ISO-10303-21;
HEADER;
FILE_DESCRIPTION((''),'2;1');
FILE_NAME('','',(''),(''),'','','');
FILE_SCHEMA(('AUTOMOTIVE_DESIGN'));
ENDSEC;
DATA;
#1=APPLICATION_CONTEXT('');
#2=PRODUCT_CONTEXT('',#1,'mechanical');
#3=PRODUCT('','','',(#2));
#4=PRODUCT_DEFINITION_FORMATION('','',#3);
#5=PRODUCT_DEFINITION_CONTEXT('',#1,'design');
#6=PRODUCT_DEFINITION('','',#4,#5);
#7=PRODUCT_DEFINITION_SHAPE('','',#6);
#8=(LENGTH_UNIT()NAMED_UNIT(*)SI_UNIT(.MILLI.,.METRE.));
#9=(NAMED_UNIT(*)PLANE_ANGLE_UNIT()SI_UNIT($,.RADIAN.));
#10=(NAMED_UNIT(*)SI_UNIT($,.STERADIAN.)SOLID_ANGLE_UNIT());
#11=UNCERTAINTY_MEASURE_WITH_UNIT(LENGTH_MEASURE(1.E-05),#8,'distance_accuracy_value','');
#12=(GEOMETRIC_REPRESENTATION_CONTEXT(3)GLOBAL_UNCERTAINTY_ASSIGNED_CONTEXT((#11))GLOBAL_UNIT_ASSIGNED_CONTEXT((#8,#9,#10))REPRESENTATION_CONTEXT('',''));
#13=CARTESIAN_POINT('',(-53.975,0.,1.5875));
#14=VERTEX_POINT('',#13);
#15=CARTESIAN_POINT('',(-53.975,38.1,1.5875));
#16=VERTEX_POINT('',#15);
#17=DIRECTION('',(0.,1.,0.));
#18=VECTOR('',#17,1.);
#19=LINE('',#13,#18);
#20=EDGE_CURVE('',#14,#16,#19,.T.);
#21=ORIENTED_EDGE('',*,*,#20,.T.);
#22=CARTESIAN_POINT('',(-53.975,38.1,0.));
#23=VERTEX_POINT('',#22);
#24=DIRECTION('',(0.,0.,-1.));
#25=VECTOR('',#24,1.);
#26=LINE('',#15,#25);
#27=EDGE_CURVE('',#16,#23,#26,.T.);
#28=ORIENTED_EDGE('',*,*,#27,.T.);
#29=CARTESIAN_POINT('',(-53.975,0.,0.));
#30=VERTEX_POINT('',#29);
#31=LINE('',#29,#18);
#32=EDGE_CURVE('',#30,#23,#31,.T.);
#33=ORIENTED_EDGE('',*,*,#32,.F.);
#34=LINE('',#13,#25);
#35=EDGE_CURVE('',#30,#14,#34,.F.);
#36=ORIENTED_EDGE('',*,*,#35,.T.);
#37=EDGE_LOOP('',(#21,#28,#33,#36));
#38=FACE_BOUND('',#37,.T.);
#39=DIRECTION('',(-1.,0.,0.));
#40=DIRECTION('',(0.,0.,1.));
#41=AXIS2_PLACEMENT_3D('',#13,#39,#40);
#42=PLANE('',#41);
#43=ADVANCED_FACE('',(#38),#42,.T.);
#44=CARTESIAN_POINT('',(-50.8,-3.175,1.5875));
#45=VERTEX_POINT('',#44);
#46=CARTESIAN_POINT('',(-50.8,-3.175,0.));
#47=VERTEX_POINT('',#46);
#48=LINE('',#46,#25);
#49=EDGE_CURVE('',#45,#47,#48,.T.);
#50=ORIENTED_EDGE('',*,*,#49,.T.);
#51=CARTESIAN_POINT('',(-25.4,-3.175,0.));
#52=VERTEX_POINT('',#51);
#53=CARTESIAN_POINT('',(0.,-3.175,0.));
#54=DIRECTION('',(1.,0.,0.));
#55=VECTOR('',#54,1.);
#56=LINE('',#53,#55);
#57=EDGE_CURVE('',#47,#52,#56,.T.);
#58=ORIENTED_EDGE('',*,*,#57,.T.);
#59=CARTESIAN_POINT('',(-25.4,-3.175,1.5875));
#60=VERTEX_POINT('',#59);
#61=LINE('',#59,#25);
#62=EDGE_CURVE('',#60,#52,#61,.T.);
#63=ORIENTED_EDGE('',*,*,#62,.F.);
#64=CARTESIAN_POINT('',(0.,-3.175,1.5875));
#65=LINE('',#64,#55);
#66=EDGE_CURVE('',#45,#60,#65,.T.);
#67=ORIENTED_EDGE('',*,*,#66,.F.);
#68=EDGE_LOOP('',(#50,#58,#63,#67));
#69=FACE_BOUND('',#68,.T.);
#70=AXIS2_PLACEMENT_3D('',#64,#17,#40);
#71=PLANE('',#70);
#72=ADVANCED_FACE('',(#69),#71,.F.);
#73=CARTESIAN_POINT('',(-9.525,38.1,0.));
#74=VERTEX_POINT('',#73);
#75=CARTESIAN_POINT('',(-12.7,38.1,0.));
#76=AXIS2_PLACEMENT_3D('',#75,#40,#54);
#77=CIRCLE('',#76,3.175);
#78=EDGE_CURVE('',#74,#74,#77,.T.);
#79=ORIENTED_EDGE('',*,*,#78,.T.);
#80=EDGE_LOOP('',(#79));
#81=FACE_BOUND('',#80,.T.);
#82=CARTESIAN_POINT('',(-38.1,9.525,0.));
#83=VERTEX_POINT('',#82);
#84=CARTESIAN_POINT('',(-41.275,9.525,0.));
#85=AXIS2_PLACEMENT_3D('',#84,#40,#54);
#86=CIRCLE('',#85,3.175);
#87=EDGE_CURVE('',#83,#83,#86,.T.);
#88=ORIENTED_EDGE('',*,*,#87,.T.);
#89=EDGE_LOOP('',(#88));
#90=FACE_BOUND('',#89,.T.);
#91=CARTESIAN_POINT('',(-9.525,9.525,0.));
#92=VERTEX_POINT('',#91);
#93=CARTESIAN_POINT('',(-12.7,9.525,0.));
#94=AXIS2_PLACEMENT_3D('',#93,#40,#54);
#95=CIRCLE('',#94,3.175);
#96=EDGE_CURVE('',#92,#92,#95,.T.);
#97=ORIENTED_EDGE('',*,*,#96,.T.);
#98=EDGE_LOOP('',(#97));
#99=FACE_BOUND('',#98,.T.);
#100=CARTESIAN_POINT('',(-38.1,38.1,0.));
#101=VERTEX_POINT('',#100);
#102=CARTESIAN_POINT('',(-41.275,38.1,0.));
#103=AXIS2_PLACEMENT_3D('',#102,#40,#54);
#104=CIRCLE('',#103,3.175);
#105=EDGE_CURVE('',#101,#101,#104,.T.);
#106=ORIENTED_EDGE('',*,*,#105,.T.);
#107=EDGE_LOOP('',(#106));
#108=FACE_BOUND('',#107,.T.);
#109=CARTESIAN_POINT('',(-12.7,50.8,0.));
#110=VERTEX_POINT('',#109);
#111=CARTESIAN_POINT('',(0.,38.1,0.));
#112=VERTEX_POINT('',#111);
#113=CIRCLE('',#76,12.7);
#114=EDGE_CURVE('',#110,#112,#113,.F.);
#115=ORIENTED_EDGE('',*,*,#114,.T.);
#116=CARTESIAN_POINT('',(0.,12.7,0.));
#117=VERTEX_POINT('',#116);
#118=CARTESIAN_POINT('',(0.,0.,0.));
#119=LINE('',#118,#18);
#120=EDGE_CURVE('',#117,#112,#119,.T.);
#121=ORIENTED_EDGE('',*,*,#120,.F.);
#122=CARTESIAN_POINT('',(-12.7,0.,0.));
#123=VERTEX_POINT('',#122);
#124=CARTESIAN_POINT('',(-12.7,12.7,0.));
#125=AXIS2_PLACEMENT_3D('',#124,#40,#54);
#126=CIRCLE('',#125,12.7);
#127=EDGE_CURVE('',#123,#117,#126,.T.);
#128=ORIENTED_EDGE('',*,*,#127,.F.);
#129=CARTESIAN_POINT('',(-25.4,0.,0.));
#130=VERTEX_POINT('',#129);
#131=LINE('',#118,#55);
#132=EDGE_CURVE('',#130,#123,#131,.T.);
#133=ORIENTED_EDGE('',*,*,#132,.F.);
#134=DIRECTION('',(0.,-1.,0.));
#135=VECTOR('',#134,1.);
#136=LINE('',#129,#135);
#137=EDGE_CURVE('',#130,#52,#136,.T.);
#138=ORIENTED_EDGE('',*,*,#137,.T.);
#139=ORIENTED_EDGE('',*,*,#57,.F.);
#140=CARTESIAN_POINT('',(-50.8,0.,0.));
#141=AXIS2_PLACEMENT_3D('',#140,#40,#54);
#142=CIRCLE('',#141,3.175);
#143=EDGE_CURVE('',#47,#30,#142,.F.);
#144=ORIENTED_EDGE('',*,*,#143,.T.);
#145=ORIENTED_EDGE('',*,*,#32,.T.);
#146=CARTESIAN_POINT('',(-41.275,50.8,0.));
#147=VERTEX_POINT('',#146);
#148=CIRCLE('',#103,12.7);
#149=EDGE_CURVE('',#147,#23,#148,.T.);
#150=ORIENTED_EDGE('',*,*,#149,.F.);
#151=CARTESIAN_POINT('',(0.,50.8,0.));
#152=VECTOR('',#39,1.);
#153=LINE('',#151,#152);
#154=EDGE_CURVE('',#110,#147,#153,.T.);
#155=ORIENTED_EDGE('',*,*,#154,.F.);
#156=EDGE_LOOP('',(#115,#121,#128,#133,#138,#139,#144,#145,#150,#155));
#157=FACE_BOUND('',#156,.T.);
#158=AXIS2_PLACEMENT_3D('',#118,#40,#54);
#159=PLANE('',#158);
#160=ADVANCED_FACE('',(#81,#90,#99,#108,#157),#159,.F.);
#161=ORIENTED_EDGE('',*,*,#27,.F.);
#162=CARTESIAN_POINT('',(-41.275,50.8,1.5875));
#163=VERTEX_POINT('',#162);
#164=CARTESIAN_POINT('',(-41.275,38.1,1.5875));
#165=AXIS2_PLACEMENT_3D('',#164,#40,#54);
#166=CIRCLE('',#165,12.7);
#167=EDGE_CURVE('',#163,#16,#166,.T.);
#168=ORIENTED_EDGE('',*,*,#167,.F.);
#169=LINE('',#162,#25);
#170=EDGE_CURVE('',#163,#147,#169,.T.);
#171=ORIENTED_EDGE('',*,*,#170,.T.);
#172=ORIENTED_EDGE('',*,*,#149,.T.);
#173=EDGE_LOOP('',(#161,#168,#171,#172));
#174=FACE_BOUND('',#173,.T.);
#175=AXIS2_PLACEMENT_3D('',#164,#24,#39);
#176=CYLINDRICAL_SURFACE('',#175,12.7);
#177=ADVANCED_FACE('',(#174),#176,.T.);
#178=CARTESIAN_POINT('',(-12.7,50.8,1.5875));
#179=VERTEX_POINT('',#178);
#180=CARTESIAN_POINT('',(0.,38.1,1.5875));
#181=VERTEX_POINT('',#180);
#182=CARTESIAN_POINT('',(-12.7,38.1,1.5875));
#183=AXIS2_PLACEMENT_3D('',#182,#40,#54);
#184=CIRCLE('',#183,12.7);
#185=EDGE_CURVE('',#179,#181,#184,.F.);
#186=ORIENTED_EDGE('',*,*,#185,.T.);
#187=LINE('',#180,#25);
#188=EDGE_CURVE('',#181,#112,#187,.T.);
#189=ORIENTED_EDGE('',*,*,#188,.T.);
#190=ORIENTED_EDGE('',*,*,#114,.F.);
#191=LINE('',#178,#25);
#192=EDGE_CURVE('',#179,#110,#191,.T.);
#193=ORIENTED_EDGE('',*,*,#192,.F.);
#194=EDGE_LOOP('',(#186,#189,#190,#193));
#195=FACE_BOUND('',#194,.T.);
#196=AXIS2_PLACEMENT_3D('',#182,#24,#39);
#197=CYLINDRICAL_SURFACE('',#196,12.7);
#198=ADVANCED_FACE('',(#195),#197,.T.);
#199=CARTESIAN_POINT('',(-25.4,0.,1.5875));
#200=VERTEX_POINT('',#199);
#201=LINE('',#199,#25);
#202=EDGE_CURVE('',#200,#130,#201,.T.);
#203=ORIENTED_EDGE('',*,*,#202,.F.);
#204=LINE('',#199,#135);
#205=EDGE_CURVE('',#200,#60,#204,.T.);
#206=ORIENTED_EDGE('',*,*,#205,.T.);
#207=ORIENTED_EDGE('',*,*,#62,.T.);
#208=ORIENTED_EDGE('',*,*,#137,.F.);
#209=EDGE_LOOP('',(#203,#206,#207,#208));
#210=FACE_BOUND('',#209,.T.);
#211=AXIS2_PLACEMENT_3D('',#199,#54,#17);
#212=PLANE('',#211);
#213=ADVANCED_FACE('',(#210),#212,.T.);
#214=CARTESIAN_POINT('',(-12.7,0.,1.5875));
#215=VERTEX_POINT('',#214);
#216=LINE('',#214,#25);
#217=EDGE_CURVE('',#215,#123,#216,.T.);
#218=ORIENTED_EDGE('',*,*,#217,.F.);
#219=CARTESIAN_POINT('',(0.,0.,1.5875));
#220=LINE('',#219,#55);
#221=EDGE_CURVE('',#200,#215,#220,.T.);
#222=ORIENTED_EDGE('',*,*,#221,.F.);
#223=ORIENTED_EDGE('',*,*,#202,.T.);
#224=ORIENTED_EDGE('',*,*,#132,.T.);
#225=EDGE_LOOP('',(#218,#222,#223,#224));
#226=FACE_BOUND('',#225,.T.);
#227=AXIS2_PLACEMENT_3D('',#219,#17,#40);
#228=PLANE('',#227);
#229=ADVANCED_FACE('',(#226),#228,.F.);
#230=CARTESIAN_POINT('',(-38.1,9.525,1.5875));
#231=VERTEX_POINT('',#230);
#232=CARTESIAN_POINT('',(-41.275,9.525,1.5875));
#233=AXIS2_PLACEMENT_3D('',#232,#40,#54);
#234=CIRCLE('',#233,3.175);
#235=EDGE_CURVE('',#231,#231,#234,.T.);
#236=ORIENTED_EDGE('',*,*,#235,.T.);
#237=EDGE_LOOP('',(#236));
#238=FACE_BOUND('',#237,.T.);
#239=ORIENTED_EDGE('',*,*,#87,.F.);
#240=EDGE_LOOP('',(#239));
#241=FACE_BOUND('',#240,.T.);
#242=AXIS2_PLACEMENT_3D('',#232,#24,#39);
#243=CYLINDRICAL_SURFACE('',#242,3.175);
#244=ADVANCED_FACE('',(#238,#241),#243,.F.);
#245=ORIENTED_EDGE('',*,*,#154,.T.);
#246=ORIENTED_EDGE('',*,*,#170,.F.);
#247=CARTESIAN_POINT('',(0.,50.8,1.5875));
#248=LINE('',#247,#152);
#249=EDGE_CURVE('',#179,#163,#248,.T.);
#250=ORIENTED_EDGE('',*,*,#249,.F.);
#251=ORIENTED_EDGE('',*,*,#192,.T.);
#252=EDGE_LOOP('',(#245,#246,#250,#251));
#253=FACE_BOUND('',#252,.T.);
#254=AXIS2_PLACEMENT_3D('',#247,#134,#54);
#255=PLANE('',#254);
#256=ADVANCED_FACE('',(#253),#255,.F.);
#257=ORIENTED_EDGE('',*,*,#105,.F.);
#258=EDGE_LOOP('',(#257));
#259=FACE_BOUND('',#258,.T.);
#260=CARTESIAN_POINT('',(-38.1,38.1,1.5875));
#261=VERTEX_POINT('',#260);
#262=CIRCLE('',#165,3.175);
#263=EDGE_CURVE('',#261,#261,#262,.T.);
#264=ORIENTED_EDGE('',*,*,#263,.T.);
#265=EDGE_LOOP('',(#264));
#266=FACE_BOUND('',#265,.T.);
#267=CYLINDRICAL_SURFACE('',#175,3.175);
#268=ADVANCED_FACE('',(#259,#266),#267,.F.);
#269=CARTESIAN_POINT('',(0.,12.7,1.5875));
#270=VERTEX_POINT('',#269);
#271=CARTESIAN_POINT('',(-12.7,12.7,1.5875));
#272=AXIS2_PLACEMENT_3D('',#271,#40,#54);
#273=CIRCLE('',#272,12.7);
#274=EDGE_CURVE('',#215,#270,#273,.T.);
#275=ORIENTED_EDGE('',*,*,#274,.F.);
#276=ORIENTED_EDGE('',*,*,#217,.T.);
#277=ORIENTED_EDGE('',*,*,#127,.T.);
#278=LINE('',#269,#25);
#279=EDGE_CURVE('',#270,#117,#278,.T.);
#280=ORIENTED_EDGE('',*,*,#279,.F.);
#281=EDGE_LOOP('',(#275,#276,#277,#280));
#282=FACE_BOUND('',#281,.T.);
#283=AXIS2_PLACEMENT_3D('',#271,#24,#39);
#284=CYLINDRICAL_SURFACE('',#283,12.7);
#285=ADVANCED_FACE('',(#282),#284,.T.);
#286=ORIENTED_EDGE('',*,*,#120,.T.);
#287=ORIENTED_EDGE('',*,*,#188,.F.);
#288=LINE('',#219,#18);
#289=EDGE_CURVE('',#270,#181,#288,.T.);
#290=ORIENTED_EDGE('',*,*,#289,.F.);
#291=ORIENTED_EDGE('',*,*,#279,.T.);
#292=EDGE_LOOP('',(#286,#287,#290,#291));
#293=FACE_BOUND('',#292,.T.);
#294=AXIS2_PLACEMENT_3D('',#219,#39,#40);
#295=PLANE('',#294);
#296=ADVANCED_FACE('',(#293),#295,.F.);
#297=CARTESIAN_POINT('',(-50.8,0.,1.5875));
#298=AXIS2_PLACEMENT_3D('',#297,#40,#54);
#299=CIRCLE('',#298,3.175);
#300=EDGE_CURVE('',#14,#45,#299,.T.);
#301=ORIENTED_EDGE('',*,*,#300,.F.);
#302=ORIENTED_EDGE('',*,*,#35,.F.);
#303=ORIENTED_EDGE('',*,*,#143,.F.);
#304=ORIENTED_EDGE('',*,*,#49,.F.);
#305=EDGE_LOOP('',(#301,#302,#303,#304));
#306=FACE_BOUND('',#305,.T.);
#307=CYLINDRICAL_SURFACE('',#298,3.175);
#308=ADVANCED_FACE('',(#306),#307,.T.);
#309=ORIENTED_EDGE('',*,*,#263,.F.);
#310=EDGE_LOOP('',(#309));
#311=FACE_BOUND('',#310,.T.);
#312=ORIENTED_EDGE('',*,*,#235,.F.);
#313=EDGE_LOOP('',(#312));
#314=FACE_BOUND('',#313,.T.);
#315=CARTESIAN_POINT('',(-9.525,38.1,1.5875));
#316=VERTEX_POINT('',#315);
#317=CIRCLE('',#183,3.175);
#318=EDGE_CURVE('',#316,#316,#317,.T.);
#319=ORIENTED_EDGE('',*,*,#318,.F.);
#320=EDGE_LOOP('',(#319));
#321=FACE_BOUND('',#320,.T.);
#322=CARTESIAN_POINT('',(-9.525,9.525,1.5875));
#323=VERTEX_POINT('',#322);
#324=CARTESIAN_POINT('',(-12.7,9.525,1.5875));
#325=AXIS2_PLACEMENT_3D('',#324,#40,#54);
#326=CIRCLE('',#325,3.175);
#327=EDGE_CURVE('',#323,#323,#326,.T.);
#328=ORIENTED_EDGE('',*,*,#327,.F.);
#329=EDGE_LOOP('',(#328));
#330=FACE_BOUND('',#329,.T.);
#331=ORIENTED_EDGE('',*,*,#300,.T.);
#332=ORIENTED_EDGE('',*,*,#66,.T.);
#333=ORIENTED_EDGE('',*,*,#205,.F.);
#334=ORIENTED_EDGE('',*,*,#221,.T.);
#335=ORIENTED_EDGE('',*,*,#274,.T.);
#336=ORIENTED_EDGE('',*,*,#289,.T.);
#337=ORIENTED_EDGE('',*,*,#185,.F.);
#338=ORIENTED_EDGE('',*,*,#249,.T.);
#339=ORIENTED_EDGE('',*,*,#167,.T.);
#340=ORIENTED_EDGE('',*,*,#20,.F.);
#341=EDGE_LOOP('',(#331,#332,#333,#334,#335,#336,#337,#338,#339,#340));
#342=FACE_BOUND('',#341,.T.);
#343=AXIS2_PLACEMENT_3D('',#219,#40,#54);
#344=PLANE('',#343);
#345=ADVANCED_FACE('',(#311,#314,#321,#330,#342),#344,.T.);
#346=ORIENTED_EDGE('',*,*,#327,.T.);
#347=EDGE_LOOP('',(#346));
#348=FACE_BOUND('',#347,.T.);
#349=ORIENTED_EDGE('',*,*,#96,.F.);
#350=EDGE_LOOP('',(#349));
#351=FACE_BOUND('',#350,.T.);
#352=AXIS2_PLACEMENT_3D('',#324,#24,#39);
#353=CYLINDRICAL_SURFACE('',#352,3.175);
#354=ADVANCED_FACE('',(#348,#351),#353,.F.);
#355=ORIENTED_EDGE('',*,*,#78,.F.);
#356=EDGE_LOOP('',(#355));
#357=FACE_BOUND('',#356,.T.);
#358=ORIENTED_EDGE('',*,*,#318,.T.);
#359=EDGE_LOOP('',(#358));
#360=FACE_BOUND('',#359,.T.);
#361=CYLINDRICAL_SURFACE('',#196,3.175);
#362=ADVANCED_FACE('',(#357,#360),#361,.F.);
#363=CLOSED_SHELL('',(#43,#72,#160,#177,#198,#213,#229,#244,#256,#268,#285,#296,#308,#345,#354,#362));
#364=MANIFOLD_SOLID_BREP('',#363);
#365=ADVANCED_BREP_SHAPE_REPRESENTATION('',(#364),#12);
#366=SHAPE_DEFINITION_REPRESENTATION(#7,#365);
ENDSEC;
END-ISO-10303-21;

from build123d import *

# Parameters (mm, degrees)
SKETCH1_R           = 3.175
BOSS_EXTRUDE1_DEPTH = 1.5875
FILLET1_R           = 3.175


with BuildPart() as part:
    # Sketch1 → Boss-Extrude1 (new body)
    with BuildSketch(Plane.XY):
        with BuildLine():
            ThreePointArc((-12.7, 0), (-3.719743879, 3.719743879), (0, 12.7))
            Line((0, 12.7), (0, 38.1))
            ThreePointArc((0, 38.1), (-3.719743879, 47.080256121), (-12.7, 50.8))
            Line((-12.7, 50.8), (-41.275, 50.8))
            ThreePointArc((-41.275, 50.8), (-50.255256121, 47.080256121), (-53.975, 38.1))
            Line((-53.975, 38.1), (-53.975, 0))
            Line((-53.975, 0), (-53.975, -3.175))
            Line((-53.975, -3.175), (-25.4, -3.175))
            Line((-25.4, -3.175), (-25.4, 0))
            Line((-25.4, 0), (-12.7, 0))
        make_face()
        with Locations((-41.275, 9.525)):
            Circle(SKETCH1_R, mode=Mode.SUBTRACT)
        with Locations((-12.7, 9.525)):
            Circle(SKETCH1_R, mode=Mode.SUBTRACT)
        with Locations((-41.275, 38.1)):
            Circle(SKETCH1_R, mode=Mode.SUBTRACT)
        with Locations((-12.7, 38.1)):
            Circle(SKETCH1_R, mode=Mode.SUBTRACT)
    extrude(amount=BOSS_EXTRUDE1_DEPTH)

    # Fillet1
    fillet1_edges = [part.edges().sort_by_distance(p)[0] for p in [
        (-53.975, -3.175, 0.79375),
    ]]
    fillet(fillet1_edges, radius=FILLET1_R)


solid = part.part
